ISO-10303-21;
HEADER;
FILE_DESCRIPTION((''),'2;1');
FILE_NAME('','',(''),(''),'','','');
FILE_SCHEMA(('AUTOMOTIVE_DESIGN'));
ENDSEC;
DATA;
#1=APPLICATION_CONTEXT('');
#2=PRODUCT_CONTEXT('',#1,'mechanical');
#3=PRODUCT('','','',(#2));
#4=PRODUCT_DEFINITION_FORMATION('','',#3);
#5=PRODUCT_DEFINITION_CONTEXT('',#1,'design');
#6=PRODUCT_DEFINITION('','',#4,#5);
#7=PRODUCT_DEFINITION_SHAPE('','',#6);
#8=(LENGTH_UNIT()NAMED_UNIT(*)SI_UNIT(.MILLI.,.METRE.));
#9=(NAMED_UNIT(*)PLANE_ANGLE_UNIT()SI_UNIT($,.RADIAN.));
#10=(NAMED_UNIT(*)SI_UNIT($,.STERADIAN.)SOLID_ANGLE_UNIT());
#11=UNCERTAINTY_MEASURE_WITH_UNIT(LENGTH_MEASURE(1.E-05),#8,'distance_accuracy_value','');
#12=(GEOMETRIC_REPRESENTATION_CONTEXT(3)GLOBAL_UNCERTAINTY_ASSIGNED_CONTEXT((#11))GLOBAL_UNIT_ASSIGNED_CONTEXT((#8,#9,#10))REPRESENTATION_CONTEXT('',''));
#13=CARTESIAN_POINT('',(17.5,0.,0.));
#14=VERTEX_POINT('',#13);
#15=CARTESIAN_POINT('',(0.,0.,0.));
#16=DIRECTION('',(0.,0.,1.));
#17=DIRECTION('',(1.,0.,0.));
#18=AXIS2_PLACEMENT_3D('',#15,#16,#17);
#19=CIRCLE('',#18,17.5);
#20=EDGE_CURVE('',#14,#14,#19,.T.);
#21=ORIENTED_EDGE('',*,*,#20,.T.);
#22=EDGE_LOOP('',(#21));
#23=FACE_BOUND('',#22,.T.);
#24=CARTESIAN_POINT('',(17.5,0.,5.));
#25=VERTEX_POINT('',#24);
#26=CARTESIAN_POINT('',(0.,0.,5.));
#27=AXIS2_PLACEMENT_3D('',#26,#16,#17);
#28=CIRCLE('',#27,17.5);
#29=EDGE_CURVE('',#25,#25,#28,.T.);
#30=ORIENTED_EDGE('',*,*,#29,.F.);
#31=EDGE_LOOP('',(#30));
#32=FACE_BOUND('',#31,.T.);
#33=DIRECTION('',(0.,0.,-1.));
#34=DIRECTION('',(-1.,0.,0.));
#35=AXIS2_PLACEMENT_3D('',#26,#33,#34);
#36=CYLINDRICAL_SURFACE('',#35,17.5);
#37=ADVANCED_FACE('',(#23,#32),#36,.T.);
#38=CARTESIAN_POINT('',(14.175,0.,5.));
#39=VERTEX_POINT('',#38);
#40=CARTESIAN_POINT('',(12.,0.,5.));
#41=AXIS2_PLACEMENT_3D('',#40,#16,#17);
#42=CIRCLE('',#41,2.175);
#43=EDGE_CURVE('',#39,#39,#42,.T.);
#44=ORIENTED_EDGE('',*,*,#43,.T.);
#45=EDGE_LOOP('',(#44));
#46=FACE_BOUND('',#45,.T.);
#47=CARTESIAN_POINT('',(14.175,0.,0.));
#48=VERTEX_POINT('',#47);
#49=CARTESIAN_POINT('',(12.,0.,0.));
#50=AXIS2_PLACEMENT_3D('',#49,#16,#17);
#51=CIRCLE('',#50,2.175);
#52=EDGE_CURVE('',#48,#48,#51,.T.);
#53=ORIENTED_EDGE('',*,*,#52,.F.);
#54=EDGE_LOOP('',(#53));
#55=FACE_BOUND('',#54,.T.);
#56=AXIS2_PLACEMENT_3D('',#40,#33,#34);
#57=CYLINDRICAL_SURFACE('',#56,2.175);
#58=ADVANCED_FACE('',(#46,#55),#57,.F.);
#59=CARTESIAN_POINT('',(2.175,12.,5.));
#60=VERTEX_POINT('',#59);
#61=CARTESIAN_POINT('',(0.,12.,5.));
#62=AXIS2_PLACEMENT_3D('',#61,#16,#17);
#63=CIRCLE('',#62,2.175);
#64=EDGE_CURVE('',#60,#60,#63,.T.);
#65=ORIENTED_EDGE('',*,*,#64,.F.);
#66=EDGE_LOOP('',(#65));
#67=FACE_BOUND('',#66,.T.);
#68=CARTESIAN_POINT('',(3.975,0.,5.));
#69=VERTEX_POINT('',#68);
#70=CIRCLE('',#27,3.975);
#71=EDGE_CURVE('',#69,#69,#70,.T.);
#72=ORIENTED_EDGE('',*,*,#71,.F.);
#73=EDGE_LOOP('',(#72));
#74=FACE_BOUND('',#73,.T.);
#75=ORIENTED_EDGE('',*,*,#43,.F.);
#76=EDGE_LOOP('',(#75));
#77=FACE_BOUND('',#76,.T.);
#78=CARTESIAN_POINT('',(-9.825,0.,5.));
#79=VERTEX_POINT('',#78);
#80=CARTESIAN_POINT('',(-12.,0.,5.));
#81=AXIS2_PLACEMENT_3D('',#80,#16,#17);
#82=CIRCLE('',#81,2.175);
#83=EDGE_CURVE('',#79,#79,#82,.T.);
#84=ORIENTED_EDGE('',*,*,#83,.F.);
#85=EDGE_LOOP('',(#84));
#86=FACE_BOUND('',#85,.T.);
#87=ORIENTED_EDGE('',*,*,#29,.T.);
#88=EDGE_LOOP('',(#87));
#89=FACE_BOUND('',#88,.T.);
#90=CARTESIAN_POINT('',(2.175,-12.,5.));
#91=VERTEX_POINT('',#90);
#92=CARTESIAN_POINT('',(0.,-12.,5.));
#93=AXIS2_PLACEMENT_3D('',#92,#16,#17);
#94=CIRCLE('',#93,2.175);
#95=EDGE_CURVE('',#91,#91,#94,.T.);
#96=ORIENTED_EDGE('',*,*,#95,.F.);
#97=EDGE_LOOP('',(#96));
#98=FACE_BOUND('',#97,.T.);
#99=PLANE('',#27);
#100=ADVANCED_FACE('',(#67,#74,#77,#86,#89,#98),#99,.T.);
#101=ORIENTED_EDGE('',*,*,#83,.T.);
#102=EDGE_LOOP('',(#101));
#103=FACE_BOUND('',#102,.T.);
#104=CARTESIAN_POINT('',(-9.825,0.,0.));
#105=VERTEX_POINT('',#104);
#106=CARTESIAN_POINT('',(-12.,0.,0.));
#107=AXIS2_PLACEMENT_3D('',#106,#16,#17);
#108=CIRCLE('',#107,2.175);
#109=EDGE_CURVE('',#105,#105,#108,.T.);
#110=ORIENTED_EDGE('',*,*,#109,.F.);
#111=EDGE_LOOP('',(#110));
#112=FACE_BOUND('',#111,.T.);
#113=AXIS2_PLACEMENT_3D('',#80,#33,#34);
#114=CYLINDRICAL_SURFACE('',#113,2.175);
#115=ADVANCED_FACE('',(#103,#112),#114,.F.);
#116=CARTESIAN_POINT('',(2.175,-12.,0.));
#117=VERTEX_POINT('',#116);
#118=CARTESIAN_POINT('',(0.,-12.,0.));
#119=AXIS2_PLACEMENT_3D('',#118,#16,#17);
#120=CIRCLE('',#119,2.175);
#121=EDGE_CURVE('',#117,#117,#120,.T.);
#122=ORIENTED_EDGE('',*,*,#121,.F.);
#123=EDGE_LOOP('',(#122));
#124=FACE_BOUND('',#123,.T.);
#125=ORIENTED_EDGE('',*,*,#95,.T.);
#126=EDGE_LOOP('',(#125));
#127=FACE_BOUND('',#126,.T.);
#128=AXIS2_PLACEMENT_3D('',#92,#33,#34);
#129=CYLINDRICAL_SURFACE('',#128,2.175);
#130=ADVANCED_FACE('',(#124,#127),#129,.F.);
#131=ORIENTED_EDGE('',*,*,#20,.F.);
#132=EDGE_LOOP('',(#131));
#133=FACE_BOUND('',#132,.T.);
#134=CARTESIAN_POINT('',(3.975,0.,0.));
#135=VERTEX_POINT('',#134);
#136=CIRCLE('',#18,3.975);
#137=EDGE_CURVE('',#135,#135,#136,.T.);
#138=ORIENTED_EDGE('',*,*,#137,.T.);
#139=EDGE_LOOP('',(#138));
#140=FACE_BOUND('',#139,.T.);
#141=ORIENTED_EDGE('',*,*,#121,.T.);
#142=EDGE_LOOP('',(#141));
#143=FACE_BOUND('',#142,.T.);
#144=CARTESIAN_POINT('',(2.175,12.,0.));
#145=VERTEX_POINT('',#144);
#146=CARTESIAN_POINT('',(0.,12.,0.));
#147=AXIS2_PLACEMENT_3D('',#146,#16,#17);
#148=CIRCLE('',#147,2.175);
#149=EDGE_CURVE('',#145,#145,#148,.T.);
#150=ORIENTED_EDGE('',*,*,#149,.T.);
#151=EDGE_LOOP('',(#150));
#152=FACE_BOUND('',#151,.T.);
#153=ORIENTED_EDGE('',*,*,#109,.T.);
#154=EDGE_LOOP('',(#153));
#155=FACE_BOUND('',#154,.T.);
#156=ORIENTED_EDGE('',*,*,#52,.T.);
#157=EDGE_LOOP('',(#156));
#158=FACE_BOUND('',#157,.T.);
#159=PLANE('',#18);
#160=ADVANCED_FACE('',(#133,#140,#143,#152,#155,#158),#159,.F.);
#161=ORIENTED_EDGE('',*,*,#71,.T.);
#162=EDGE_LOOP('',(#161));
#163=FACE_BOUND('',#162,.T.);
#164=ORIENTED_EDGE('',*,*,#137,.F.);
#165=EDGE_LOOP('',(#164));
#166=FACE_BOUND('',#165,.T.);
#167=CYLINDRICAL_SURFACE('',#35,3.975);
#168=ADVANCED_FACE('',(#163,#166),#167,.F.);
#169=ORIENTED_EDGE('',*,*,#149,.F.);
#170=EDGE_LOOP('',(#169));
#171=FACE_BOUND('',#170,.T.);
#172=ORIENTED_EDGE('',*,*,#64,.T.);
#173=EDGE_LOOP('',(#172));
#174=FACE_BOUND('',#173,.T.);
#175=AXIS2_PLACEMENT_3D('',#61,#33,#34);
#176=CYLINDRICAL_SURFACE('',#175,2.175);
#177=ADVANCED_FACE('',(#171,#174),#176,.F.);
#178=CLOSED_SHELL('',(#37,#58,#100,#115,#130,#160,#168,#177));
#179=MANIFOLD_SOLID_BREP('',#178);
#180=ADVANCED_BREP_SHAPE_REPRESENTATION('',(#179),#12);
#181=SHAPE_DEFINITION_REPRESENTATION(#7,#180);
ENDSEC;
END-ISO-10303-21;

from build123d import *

# Parameters (mm, degrees)
SKETCH1_R           = 17.5
SKETCH1_R_2         = 2.175
SKETCH1_R_3         = 3.975
BOSS_EXTRUDE1_DEPTH = 5


with BuildPart() as part:
    # Sketch1 → Boss-Extrude1 (new body)
    with BuildSketch(Plane.XY):
        Circle(SKETCH1_R)
        with Locations((12, 0)):
            Circle(SKETCH1_R_2, mode=Mode.SUBTRACT)
        with Locations((0, 12)):
            Circle(SKETCH1_R_2, mode=Mode.SUBTRACT)
        with Locations((-12, 0)):
            Circle(SKETCH1_R_2, mode=Mode.SUBTRACT)
        with Locations((0, -12)):
            Circle(SKETCH1_R_2, mode=Mode.SUBTRACT)
        Circle(SKETCH1_R_3, mode=Mode.SUBTRACT)
    extrude(amount=BOSS_EXTRUDE1_DEPTH)


solid = part.part
